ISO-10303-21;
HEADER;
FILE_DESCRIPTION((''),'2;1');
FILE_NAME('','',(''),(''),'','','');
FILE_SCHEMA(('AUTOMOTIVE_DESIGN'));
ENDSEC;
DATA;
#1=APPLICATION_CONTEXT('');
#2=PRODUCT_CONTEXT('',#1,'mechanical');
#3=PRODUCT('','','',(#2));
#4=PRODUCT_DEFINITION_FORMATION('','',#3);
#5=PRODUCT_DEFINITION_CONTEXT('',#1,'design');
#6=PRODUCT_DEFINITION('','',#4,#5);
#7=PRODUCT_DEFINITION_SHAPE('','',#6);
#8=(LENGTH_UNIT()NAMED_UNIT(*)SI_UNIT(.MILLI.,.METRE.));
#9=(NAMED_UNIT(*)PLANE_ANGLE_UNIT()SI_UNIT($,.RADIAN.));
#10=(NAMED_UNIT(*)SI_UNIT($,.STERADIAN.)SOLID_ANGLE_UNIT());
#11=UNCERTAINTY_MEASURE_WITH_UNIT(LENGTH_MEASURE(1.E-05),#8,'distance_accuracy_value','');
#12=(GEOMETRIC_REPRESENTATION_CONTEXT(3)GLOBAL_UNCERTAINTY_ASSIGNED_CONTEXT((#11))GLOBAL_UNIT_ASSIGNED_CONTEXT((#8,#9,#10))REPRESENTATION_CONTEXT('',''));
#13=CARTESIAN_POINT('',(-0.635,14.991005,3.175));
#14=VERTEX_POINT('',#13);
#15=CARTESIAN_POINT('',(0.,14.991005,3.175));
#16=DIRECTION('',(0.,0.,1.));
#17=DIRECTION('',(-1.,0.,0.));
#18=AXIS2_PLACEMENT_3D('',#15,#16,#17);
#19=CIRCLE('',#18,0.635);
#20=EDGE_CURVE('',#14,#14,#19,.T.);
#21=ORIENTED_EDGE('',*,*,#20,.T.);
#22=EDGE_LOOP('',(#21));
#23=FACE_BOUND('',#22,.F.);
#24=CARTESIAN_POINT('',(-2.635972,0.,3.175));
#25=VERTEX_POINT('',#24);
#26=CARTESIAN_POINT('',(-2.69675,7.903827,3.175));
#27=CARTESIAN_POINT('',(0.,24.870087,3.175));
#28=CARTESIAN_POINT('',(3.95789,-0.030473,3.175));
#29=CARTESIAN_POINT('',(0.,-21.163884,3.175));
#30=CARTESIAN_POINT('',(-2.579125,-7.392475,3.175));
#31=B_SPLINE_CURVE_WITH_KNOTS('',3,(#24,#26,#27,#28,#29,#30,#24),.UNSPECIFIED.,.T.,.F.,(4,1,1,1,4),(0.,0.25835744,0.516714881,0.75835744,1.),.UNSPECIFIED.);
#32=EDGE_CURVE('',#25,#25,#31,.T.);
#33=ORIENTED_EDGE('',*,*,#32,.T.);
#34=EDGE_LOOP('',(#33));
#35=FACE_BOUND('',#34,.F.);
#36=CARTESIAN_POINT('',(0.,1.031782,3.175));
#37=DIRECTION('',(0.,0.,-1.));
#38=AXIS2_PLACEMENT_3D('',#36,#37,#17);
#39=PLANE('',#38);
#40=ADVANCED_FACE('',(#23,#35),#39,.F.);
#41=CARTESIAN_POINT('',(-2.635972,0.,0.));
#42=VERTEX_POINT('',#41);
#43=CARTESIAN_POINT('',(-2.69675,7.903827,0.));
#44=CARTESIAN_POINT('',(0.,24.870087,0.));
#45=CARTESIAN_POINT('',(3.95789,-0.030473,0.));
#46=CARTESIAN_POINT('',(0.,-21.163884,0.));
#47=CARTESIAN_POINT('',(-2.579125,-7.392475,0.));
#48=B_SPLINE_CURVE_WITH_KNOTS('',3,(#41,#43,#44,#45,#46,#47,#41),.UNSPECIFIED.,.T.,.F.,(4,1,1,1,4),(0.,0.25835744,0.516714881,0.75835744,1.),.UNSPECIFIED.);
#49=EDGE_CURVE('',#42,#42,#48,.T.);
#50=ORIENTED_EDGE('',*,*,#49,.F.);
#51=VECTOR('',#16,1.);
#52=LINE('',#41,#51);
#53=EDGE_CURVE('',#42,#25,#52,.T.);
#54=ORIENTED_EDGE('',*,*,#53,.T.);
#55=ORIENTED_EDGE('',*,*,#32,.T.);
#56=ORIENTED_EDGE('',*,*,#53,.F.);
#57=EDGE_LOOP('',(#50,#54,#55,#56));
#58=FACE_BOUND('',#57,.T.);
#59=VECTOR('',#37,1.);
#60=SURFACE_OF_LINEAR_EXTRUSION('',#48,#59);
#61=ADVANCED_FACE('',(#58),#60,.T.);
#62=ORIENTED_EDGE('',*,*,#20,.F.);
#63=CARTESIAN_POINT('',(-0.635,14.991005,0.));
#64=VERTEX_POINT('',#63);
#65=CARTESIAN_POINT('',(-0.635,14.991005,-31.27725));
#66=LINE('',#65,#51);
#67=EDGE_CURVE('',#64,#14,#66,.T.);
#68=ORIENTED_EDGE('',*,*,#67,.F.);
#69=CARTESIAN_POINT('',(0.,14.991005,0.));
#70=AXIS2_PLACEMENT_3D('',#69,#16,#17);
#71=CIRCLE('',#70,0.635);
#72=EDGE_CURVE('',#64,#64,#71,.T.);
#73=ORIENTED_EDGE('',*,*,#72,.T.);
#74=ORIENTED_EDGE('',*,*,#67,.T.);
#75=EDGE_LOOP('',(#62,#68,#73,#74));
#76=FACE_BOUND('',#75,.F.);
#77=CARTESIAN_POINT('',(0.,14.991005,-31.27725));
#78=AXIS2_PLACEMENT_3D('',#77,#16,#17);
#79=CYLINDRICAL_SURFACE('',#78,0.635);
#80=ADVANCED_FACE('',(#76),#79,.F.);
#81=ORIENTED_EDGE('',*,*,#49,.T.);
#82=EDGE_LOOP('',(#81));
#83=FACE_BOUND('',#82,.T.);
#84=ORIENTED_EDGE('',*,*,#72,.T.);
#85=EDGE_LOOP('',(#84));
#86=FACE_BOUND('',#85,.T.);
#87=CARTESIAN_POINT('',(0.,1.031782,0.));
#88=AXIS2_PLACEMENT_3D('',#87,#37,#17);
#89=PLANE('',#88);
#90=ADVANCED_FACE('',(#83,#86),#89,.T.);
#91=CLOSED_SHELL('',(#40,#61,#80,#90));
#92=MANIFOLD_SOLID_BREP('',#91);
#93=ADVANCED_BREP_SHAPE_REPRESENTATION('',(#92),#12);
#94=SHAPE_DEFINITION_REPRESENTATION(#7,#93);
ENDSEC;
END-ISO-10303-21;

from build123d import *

# Parameters (mm, degrees)
F1_DEPTH = 3.175
F2_D     = 1.27


with BuildPart() as f1:
    # F0 (on Top) → F1 (new body)
    with BuildSketch(Plane.XY):
        with BuildLine():
            add(Edge.make_bspline(
                [(-2.6359715937, 0), (-2.6967500021, 7.9038265098), (1e-10, 24.8700869531), (3.9578895543, -0.0304729571), (1e-10, -21.163883673), (-2.5791253494, -7.3924748087), (-2.6359715937, 0)],
                knots=[0, 0, 0, 0, 0.2583574403, 0.5167148806, 0.7583574403, 1, 1, 1, 1], degree=3))
        make_face()
    extrude(amount=F1_DEPTH)

    # F2 (through all)
    with Locations(Plane(origin=(0, 0, 0), x_dir=(1, 0, 0), z_dir=(0, 0, -1))):
        with Locations((0, -14.9910049513)):
            Hole(F2_D / 2)


solid = f1.part
